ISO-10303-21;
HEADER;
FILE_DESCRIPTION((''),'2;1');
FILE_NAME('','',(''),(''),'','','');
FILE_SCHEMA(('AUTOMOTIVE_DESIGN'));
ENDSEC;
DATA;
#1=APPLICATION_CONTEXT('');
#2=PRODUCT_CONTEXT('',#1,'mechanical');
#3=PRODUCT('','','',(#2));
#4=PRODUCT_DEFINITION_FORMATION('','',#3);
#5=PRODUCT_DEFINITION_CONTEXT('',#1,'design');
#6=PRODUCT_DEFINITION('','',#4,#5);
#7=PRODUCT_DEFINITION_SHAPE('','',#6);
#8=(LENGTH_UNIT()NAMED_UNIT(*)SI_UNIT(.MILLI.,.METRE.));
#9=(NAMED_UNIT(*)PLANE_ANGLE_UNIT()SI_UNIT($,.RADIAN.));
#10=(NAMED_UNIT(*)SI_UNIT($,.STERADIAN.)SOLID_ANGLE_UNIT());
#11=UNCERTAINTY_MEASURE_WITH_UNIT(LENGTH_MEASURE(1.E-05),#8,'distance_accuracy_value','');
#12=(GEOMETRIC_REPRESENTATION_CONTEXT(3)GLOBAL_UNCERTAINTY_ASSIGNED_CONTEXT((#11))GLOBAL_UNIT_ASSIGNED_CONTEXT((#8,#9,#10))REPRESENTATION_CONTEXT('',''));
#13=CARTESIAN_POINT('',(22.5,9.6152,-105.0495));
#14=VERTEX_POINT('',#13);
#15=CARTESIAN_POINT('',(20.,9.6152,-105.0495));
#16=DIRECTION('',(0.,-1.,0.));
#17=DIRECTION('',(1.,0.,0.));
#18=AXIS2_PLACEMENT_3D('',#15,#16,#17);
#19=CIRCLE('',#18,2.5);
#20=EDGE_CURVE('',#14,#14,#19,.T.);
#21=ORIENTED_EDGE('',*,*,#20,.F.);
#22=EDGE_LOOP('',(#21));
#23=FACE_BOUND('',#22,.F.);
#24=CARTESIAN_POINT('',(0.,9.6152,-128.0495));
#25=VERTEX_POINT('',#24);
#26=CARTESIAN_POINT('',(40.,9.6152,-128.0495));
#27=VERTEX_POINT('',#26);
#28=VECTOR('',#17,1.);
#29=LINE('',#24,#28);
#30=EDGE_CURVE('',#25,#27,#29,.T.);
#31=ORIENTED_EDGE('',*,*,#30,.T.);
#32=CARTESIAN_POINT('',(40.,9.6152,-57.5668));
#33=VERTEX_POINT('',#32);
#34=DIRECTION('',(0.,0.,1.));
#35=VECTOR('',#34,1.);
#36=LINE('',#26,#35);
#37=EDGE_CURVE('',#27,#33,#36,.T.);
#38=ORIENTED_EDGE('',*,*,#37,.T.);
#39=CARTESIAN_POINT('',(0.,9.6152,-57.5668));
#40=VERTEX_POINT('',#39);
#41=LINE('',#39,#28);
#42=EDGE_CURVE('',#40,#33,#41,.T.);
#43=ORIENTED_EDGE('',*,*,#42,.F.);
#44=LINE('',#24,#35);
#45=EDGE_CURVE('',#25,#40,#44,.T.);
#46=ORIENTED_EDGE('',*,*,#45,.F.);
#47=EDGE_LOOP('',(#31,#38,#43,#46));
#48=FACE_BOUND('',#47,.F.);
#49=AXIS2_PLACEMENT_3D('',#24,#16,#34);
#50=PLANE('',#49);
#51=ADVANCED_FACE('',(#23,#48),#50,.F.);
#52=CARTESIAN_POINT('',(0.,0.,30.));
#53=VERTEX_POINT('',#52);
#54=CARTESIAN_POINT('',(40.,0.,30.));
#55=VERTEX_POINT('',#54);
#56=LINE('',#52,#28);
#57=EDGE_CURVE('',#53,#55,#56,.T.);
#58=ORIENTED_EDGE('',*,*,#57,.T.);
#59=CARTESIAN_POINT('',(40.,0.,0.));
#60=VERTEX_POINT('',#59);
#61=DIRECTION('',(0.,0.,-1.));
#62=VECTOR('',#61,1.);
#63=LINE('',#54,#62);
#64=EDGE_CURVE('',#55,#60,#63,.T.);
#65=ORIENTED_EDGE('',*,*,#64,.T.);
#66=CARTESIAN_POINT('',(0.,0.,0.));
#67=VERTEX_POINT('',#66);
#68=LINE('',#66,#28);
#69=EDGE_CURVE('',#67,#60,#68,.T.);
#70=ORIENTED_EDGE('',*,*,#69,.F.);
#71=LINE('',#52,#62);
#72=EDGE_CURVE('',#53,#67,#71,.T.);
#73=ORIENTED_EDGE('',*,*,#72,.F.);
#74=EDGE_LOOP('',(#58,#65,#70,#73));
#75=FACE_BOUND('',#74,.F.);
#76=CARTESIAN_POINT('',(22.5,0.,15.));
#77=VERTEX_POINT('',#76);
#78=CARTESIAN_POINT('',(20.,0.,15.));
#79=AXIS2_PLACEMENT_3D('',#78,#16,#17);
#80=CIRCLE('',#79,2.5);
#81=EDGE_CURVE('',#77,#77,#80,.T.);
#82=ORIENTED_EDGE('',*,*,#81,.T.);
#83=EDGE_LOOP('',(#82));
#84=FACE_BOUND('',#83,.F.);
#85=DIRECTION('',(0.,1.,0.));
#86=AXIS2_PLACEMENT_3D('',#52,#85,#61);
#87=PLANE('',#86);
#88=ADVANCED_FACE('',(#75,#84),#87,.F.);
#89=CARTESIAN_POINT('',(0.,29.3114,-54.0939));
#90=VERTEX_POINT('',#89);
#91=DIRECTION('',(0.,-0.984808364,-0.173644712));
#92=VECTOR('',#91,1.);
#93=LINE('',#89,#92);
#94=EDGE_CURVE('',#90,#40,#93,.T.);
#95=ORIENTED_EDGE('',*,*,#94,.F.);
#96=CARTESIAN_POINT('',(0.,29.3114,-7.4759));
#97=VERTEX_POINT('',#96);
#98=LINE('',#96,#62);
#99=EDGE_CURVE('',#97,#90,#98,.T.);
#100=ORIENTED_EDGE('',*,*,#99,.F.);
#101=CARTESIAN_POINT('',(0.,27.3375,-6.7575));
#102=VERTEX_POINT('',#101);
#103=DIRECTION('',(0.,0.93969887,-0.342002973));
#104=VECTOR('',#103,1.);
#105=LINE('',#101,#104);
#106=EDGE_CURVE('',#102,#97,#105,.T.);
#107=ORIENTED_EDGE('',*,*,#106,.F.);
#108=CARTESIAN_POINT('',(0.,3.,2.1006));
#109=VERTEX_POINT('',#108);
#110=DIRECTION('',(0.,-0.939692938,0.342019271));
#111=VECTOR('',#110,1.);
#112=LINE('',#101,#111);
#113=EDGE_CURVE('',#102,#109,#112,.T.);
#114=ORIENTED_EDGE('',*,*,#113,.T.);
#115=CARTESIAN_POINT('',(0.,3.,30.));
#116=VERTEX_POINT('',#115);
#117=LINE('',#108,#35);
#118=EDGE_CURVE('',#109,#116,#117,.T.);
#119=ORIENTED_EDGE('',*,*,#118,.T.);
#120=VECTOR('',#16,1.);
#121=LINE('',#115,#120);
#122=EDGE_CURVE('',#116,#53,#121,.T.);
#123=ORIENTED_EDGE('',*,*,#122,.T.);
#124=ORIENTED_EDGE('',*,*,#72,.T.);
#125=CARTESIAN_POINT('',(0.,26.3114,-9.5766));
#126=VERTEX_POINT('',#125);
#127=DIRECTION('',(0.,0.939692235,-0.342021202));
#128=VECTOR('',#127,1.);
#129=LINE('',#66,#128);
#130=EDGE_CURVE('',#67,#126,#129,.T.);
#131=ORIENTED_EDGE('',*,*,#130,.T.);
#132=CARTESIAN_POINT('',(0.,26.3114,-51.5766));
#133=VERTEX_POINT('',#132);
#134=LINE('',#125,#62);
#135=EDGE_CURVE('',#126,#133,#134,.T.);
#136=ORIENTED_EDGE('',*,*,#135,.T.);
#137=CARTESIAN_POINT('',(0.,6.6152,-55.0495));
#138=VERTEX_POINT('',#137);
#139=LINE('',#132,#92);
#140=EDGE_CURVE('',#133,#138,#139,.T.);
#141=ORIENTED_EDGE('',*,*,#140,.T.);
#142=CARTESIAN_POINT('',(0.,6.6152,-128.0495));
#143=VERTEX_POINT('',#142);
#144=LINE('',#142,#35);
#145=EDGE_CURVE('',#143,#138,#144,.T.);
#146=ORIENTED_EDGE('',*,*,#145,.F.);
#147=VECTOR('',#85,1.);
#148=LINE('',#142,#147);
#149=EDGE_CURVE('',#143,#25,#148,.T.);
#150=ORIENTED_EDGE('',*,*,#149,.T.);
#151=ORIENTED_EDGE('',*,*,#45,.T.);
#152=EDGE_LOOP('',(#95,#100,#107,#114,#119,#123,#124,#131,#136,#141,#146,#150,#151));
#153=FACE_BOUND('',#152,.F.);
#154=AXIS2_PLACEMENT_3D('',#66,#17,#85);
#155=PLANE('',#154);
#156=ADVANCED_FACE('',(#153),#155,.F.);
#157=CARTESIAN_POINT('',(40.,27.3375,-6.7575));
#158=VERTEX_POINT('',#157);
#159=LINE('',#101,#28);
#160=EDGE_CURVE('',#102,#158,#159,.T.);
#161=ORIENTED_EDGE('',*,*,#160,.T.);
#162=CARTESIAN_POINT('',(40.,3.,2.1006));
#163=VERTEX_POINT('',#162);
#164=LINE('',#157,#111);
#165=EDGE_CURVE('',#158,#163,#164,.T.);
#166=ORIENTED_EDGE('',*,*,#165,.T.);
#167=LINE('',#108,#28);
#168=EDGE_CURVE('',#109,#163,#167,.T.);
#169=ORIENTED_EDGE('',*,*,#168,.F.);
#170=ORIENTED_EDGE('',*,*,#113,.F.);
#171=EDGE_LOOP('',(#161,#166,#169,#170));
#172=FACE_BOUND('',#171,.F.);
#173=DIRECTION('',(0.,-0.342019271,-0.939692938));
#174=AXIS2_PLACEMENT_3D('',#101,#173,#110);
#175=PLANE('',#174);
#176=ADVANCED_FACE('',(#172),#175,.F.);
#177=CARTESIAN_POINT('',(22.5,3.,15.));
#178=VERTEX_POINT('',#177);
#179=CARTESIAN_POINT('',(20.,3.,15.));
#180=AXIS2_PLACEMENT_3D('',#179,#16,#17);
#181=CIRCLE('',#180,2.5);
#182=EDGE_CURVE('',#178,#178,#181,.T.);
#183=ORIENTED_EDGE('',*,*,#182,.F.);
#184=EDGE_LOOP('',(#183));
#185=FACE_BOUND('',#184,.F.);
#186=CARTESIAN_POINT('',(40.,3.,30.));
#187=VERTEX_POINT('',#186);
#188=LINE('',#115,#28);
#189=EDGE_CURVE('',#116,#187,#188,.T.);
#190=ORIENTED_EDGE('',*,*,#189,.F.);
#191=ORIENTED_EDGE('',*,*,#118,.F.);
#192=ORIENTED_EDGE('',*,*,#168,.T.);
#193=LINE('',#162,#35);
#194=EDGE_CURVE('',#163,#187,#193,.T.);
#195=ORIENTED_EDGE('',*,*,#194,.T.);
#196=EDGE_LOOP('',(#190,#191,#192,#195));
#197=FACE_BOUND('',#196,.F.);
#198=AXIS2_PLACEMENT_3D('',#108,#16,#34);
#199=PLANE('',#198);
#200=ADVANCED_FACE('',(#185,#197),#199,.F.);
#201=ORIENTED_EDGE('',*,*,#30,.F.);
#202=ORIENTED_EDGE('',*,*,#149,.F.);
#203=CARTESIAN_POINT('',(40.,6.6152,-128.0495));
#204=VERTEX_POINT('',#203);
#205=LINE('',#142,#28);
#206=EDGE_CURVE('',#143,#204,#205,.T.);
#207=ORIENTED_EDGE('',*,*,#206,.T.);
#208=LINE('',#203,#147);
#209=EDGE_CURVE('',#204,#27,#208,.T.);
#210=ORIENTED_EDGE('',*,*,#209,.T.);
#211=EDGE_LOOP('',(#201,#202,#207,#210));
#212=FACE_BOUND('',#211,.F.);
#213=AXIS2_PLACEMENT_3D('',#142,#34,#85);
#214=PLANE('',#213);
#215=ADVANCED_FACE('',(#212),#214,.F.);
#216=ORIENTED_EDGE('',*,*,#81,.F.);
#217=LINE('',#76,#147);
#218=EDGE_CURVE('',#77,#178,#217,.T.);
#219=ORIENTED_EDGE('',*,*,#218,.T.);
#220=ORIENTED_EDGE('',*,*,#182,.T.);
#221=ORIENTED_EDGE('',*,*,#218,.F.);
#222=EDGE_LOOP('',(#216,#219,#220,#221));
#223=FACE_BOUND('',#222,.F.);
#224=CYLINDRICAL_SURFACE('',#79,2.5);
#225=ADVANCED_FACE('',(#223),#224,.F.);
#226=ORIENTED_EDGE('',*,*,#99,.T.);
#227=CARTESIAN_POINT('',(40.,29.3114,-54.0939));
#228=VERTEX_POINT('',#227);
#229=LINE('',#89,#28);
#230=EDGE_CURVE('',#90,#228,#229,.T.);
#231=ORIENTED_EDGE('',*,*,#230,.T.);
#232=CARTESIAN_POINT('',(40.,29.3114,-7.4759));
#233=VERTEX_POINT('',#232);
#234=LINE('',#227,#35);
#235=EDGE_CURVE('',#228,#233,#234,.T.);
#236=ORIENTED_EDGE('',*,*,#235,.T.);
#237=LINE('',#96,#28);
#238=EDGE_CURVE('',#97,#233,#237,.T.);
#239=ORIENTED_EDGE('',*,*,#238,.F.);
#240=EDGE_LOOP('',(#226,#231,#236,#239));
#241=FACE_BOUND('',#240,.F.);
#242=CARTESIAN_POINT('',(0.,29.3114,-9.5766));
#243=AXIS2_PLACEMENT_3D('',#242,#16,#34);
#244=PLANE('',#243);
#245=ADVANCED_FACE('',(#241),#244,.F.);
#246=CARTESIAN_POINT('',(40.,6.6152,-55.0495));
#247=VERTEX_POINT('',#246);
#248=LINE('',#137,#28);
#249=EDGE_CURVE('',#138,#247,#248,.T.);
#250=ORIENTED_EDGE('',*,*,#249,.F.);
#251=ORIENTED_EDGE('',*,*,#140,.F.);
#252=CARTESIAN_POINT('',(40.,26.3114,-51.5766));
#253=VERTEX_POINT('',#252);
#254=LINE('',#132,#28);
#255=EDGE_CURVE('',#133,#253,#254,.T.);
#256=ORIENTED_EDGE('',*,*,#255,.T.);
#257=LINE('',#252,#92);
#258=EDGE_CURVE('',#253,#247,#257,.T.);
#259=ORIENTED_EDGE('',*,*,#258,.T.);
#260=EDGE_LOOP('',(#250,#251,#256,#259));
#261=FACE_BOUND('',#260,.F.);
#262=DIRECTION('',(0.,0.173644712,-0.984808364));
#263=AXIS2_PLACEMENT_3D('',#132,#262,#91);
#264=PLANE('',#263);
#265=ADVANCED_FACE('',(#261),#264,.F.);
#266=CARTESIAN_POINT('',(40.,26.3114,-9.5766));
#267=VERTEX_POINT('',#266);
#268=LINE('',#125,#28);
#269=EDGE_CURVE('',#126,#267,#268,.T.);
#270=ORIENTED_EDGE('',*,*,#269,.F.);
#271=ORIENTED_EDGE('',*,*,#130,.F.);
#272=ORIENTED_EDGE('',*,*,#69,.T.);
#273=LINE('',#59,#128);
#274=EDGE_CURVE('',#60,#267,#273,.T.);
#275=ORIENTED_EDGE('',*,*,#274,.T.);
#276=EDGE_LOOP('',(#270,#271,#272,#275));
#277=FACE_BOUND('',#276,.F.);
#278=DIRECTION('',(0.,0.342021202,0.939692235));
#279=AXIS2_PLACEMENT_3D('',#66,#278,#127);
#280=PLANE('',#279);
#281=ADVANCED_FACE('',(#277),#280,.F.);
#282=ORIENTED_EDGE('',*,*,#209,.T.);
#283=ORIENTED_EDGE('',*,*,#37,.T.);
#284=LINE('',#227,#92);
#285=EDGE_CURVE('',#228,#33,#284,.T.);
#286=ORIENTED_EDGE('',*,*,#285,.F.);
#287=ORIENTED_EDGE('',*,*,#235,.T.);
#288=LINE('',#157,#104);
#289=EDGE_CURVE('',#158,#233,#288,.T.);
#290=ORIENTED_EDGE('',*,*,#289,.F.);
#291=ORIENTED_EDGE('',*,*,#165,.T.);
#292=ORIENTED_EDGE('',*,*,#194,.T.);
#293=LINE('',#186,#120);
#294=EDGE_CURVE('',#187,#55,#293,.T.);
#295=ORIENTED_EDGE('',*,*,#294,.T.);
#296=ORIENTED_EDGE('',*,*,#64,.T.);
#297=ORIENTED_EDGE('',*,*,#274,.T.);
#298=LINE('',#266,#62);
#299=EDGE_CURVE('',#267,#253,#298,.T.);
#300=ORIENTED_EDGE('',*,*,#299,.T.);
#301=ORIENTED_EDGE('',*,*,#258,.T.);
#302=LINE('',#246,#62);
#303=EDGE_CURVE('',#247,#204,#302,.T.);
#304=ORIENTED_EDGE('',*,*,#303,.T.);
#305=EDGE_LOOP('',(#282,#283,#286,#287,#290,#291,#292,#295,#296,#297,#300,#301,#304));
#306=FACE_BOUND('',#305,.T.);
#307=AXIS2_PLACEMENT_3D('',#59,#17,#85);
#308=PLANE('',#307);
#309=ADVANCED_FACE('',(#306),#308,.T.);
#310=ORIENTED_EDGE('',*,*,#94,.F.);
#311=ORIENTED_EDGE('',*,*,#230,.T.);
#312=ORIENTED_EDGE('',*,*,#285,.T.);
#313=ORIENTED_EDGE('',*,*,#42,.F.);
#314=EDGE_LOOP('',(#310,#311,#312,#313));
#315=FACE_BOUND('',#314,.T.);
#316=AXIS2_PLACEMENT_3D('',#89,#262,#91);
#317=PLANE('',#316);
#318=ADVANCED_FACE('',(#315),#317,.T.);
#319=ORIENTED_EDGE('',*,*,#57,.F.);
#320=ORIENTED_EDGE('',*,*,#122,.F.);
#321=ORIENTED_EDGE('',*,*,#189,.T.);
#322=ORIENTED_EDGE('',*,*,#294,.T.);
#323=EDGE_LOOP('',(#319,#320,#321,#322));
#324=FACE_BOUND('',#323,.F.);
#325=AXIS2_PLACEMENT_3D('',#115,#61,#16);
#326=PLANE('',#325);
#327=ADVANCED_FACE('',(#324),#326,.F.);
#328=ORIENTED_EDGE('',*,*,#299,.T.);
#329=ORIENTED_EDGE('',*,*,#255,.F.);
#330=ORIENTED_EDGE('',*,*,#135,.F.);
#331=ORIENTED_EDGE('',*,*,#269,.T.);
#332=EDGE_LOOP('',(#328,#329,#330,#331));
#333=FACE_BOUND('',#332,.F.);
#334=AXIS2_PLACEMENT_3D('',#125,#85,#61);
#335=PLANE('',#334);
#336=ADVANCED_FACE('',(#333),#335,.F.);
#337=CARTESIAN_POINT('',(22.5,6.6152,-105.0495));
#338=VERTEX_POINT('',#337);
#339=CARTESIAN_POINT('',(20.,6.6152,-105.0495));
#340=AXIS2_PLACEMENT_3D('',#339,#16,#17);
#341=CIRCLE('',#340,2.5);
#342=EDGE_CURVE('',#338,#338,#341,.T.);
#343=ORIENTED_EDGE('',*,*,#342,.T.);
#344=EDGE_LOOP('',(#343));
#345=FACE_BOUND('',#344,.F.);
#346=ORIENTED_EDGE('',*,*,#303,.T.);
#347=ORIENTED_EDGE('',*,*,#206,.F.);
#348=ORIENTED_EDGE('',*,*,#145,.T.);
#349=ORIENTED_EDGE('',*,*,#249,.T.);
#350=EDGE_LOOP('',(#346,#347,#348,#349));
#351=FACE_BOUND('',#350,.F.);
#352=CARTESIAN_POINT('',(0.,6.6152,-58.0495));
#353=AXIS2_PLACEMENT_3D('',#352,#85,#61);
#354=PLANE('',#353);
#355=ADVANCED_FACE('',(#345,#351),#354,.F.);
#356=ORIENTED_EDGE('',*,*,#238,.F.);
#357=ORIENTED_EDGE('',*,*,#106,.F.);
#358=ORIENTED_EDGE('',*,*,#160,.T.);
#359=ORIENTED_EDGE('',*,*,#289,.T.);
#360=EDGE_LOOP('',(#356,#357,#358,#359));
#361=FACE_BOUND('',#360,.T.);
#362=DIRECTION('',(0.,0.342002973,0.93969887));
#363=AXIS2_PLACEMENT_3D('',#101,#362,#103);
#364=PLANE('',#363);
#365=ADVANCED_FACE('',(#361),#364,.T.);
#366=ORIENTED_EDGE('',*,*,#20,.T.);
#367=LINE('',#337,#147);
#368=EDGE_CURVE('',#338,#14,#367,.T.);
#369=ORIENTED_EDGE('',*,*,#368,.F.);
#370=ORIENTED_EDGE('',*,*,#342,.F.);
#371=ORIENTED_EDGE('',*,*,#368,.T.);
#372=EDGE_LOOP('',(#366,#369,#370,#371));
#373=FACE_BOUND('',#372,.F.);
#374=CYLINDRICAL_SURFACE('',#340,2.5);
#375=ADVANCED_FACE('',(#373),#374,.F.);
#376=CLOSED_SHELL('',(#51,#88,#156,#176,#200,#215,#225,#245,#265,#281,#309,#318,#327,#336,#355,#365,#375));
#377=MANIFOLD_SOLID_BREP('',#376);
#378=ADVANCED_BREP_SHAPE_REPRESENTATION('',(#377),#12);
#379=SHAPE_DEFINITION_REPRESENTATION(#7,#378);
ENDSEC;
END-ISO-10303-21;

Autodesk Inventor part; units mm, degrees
ref_plane "YZ Plane" through (0, 0, 0) normal (1, 0, 0) x (0, 1, 0)
ref_plane "XZ Plane" through (0, 0, 0) normal (0, 1, 0) x (-1, 0, 0)
ref_plane "XY Plane" through (0, 0, 0) normal (0, 0, 1) x (1, 0, 0)
sketch "Boceto1" plane through (0, 0, 0) normal (1, 0, 0) x (0, 1, 0)
  line L0 (3, 30) -> (0, 30)
  line L1 (0, 30) -> (0, 0)
  line L2 (0, 0) -> (26.3114, -9.5766)
  line L3 (0, 0) -> (28, 0) construction
  line L4 (26.3114, -9.5766) -> (26.3114, -51.5766)
  line L5 (26.3114, -51.5766) -> (6.6152, -55.0495)
  line L6 (6.6152, -55.0495) -> (6.6152, -128.0495)
  line L7 (6.6152, -128.0495) -> (9.6152, -128.0495)
  line L8 (9.6152, -128.0495) -> (9.6152, -57.5668)
  line L9 (6.6152, -55.0495) -> (6.6152, -58.0495)
  line L10 (29.3114, -9.5766) -> (29.3114, -54.0939)
  line L11 (27.3375, -6.7575) -> (3, 2.1006)
  line L12 (3, 2.1006) -> (3, 30)
  line L13 (29.3114, -54.0939) -> (9.6152, -57.5668)
  line L14 (27.3375, -6.7575) -> (29.3114, -7.4759)
  line L15 (29.3114, -9.5766) -> (29.3114, -7.4759)
  dimension "d0" = 3
  dimension "d2" = 28
  dimension "d3" = 20
  dimension "d6" = 100
  dimension "d7" = 73
  dimension "d8" = 3
  dimension "d9" = 3
  dimension "d12" = 3
  dimension "d13" = 3
extrude "Extrusión1" add sketch "Boceto1" along normal blind 40
sketch "Boceto2" plane through (0, 0, 0) normal (0, -1, 0) x (1, 0, 0)
  circle A0 centre (20, 15) radius 2.5
  point P0 (0, 0)
  dimension "d16" = 5
extrude "Extrusión2" cut sketch "Boceto2" against normal blind 3
sketch "Boceto3" plane through (0, 6.6152, -128.0495) normal (0, -1, 0) x (1, 0, 0)
  circle A0 centre (20, 23) radius 2.5
  point P0 (0, 128.0495)
  dimension "d19" = 5
extrude "Extrusión3" cut sketch "Boceto3" against normal blind 3
properties part number "1.2.3.UpperArmLink1"
